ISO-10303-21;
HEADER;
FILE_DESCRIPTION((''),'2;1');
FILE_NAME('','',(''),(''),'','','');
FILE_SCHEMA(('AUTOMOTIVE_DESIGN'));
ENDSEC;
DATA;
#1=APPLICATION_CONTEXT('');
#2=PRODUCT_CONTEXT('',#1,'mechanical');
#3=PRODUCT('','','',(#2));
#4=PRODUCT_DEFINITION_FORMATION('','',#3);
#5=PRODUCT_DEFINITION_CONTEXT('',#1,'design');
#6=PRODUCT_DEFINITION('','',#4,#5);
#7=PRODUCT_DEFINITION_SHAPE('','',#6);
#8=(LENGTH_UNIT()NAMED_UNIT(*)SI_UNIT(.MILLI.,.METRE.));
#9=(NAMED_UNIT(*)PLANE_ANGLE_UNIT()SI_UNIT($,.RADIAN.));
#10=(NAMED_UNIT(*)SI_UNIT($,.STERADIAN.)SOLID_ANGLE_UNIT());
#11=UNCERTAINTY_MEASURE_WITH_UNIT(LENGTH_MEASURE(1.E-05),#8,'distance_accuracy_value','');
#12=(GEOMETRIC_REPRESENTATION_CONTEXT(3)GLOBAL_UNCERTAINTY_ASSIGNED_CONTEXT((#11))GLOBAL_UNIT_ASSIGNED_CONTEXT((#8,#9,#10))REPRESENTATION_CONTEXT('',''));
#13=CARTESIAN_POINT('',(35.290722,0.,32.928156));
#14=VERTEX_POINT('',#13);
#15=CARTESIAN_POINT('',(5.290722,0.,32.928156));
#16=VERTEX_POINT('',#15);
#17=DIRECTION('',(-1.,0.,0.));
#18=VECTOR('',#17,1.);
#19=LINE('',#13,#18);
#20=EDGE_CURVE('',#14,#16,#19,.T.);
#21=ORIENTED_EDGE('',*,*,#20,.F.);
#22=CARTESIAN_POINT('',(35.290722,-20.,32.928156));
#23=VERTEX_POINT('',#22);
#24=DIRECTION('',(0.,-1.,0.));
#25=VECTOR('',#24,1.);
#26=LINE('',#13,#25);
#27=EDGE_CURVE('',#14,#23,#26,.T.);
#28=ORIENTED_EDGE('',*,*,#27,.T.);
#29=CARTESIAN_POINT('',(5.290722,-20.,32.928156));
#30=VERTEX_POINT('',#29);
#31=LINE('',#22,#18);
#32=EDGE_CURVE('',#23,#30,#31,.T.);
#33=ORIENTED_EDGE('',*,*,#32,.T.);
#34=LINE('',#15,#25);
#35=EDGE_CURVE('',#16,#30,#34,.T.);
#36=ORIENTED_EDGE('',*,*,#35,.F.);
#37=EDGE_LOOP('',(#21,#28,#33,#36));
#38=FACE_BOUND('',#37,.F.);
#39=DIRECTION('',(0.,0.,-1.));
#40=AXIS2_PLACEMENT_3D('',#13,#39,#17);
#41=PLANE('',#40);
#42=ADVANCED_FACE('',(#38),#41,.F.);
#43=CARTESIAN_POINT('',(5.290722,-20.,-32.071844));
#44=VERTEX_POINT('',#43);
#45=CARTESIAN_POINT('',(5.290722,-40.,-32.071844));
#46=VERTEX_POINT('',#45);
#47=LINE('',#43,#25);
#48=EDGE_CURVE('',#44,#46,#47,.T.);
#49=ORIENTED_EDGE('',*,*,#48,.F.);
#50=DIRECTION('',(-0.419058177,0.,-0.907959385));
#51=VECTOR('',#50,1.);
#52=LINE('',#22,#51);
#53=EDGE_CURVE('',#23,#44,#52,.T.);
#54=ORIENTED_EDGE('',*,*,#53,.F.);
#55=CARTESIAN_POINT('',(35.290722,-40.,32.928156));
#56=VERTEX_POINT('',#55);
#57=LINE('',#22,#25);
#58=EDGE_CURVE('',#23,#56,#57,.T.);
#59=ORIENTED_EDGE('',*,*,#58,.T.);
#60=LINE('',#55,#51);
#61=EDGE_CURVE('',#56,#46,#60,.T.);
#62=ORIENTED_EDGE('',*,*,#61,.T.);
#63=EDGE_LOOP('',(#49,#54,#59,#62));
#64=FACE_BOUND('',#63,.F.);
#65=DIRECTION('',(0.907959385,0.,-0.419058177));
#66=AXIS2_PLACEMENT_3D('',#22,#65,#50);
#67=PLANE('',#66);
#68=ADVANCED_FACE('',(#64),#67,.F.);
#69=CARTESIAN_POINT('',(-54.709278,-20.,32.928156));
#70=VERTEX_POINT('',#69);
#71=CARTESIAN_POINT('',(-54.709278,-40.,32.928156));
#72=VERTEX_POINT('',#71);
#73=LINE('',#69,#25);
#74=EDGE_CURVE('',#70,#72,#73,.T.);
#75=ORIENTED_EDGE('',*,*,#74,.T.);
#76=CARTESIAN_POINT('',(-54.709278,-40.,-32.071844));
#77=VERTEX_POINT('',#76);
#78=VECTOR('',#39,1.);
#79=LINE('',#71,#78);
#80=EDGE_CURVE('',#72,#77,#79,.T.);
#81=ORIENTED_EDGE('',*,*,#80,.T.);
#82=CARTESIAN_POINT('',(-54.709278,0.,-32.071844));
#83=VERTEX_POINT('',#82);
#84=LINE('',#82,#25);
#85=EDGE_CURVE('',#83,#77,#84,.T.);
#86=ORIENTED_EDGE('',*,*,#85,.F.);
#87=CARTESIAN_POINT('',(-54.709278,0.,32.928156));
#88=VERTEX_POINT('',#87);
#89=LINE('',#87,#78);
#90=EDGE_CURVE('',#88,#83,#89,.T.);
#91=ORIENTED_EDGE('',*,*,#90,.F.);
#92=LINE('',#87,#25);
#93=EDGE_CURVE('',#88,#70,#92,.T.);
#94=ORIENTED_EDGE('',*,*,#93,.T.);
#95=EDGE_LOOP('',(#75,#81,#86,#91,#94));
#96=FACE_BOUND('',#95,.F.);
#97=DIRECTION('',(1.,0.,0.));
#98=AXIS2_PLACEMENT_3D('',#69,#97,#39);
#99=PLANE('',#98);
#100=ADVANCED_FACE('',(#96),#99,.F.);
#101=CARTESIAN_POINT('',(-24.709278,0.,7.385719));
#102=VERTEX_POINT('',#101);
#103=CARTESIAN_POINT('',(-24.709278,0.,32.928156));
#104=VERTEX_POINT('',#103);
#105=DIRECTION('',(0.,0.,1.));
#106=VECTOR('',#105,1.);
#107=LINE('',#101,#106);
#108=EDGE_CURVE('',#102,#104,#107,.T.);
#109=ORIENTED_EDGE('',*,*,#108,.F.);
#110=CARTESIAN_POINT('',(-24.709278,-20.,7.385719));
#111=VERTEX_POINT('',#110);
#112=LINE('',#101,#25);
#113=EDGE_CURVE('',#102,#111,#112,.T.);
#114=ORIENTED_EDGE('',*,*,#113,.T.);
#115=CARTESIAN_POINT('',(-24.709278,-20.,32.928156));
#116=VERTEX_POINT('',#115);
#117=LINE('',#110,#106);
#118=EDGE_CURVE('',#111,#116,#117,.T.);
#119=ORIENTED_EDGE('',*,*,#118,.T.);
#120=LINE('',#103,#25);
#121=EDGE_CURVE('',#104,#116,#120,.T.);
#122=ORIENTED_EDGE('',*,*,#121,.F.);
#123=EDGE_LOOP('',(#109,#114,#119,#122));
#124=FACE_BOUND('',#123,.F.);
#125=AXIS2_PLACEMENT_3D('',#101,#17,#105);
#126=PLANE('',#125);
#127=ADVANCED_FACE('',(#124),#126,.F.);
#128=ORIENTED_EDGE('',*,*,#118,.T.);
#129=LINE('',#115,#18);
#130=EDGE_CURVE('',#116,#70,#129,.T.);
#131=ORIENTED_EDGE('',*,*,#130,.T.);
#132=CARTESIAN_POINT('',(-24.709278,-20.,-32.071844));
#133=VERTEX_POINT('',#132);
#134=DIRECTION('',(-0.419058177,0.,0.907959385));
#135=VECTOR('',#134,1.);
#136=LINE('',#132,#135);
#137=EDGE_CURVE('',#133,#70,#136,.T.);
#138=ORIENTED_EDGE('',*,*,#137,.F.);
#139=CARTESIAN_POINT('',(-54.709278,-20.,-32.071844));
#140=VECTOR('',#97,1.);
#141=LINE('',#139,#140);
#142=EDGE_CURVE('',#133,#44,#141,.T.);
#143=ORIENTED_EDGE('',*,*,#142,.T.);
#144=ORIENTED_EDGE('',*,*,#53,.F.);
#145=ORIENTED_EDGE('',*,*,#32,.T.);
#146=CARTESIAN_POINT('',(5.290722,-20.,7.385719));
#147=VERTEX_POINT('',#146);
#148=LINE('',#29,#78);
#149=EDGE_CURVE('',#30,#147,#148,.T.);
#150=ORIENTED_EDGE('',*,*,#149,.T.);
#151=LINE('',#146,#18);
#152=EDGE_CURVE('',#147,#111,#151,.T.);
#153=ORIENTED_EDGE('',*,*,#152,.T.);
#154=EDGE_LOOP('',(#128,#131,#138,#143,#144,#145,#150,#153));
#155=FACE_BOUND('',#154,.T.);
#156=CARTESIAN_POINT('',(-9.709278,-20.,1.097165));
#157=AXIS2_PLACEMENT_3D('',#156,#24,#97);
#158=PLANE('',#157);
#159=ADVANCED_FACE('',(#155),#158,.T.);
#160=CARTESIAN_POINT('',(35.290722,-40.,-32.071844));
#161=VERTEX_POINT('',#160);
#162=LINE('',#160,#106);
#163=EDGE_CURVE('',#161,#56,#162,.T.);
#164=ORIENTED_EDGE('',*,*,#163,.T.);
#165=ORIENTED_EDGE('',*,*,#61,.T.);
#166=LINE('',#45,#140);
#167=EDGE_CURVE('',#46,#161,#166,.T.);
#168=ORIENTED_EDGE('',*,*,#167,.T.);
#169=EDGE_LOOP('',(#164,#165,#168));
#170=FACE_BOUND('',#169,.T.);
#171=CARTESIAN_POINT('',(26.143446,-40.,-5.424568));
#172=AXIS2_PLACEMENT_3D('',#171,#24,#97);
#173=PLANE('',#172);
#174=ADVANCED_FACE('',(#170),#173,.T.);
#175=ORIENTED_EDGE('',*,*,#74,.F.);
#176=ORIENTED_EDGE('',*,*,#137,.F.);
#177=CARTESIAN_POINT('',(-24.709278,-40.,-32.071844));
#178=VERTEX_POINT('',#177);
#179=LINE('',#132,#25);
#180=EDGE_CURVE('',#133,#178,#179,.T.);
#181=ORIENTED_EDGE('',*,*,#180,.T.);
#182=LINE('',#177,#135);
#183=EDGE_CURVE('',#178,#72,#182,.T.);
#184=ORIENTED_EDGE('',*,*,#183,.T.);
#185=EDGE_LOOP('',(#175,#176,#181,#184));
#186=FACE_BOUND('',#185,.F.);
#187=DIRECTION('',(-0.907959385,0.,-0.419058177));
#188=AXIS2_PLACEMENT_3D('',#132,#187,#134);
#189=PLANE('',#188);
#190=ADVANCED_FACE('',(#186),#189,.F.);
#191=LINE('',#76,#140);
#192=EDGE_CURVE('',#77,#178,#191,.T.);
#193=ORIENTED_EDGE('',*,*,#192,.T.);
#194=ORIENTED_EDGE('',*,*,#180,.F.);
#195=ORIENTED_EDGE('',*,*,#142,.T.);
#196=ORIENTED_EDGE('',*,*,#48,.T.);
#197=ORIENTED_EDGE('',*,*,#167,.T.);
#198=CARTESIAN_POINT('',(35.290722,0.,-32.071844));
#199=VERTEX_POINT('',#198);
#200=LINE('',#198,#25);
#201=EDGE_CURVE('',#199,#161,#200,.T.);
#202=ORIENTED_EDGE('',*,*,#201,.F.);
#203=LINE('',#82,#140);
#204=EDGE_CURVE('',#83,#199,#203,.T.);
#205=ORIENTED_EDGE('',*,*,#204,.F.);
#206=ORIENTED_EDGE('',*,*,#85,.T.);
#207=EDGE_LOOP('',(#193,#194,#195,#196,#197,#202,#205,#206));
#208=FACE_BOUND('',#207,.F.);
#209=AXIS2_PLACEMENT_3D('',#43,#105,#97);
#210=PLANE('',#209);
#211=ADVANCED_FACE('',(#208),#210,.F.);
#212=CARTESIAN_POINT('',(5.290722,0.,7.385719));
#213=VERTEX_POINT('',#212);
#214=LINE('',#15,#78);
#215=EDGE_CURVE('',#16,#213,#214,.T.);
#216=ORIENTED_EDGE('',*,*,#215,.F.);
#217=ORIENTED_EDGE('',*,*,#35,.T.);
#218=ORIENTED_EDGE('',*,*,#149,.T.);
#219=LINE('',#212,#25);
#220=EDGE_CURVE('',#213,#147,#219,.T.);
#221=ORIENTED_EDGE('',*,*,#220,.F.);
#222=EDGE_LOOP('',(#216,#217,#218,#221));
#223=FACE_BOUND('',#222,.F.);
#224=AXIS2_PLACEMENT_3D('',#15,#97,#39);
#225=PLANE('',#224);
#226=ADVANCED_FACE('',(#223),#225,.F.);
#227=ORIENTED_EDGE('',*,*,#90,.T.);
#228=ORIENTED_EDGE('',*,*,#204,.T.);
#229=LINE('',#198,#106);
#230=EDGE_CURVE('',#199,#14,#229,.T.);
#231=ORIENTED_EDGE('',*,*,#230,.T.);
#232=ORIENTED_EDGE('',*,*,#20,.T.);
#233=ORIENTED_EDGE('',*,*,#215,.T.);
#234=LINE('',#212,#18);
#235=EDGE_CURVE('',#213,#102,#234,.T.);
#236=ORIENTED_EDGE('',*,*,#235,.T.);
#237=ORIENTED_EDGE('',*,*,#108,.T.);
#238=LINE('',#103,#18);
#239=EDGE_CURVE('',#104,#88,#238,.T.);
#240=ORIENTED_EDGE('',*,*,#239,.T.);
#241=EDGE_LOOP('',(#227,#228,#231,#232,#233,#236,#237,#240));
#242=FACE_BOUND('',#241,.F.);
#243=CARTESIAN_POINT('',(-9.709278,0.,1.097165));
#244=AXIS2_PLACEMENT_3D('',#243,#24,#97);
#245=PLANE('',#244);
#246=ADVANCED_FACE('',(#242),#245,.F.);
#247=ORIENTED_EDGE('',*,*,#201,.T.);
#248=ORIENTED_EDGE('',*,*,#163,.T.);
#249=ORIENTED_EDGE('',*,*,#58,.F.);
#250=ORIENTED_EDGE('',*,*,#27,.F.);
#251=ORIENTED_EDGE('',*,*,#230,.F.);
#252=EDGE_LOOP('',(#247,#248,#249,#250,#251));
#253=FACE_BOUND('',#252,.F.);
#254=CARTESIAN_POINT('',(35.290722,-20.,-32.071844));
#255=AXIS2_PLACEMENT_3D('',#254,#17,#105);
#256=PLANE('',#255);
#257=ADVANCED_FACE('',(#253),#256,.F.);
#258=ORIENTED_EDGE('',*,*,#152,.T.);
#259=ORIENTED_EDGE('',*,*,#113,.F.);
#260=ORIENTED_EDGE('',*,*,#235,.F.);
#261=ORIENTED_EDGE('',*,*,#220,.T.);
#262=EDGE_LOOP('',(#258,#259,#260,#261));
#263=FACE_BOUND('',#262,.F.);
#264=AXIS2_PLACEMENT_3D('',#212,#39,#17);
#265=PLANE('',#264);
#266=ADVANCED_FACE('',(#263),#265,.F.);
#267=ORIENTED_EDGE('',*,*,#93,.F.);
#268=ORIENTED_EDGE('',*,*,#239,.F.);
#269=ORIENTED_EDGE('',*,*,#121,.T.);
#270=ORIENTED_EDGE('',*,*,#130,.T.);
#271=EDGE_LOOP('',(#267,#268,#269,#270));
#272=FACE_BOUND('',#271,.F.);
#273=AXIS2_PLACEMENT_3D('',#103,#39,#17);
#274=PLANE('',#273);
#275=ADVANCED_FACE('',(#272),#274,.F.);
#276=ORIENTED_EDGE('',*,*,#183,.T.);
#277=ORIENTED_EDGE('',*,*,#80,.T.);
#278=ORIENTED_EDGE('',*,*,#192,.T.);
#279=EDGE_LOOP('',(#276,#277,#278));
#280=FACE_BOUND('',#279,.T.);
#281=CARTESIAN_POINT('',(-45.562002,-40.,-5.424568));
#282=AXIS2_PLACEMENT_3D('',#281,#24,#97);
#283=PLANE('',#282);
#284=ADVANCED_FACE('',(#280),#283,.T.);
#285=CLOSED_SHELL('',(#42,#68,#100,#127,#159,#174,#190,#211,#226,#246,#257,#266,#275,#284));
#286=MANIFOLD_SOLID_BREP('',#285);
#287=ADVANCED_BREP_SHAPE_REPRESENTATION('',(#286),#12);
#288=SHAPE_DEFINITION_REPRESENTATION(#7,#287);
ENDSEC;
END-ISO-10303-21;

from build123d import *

# Parameters (mm, degrees)
F1_DEPTH = 20
F3_DEPTH = 20
F5_DEPTH = 20


with BuildPart() as f1:
    # F0 (on Front) → F1 (new body)
    with BuildSketch(Plane.XZ):
        Polygon((-24.709278, 32.928156), (-54.709278, 32.928156), (-54.709278, -32.071844), (35.290722, -32.071844), (35.290722, 32.928156), (5.290722, 32.928156), (5.290722, 7.385719), (-24.709278, 7.385719), align=None)
    extrude(amount=F1_DEPTH)

    # F2 (on face) → F3 (join)
    with BuildSketch(Plane.XZ.offset(20)):
        Polygon((-54.709278, 32.928156), (-54.709278, -32.071844), (-24.709278, -32.071844), align=None)
    extrude(amount=F3_DEPTH)

    # F4 (on face) → F5 (join)
    with BuildSketch(Plane.XZ.offset(20)):
        Polygon((5.290722, -32.071844), (35.290722, -32.071844), (35.290722, 32.928156), align=None)
    extrude(amount=F5_DEPTH)


solid = f1.part
